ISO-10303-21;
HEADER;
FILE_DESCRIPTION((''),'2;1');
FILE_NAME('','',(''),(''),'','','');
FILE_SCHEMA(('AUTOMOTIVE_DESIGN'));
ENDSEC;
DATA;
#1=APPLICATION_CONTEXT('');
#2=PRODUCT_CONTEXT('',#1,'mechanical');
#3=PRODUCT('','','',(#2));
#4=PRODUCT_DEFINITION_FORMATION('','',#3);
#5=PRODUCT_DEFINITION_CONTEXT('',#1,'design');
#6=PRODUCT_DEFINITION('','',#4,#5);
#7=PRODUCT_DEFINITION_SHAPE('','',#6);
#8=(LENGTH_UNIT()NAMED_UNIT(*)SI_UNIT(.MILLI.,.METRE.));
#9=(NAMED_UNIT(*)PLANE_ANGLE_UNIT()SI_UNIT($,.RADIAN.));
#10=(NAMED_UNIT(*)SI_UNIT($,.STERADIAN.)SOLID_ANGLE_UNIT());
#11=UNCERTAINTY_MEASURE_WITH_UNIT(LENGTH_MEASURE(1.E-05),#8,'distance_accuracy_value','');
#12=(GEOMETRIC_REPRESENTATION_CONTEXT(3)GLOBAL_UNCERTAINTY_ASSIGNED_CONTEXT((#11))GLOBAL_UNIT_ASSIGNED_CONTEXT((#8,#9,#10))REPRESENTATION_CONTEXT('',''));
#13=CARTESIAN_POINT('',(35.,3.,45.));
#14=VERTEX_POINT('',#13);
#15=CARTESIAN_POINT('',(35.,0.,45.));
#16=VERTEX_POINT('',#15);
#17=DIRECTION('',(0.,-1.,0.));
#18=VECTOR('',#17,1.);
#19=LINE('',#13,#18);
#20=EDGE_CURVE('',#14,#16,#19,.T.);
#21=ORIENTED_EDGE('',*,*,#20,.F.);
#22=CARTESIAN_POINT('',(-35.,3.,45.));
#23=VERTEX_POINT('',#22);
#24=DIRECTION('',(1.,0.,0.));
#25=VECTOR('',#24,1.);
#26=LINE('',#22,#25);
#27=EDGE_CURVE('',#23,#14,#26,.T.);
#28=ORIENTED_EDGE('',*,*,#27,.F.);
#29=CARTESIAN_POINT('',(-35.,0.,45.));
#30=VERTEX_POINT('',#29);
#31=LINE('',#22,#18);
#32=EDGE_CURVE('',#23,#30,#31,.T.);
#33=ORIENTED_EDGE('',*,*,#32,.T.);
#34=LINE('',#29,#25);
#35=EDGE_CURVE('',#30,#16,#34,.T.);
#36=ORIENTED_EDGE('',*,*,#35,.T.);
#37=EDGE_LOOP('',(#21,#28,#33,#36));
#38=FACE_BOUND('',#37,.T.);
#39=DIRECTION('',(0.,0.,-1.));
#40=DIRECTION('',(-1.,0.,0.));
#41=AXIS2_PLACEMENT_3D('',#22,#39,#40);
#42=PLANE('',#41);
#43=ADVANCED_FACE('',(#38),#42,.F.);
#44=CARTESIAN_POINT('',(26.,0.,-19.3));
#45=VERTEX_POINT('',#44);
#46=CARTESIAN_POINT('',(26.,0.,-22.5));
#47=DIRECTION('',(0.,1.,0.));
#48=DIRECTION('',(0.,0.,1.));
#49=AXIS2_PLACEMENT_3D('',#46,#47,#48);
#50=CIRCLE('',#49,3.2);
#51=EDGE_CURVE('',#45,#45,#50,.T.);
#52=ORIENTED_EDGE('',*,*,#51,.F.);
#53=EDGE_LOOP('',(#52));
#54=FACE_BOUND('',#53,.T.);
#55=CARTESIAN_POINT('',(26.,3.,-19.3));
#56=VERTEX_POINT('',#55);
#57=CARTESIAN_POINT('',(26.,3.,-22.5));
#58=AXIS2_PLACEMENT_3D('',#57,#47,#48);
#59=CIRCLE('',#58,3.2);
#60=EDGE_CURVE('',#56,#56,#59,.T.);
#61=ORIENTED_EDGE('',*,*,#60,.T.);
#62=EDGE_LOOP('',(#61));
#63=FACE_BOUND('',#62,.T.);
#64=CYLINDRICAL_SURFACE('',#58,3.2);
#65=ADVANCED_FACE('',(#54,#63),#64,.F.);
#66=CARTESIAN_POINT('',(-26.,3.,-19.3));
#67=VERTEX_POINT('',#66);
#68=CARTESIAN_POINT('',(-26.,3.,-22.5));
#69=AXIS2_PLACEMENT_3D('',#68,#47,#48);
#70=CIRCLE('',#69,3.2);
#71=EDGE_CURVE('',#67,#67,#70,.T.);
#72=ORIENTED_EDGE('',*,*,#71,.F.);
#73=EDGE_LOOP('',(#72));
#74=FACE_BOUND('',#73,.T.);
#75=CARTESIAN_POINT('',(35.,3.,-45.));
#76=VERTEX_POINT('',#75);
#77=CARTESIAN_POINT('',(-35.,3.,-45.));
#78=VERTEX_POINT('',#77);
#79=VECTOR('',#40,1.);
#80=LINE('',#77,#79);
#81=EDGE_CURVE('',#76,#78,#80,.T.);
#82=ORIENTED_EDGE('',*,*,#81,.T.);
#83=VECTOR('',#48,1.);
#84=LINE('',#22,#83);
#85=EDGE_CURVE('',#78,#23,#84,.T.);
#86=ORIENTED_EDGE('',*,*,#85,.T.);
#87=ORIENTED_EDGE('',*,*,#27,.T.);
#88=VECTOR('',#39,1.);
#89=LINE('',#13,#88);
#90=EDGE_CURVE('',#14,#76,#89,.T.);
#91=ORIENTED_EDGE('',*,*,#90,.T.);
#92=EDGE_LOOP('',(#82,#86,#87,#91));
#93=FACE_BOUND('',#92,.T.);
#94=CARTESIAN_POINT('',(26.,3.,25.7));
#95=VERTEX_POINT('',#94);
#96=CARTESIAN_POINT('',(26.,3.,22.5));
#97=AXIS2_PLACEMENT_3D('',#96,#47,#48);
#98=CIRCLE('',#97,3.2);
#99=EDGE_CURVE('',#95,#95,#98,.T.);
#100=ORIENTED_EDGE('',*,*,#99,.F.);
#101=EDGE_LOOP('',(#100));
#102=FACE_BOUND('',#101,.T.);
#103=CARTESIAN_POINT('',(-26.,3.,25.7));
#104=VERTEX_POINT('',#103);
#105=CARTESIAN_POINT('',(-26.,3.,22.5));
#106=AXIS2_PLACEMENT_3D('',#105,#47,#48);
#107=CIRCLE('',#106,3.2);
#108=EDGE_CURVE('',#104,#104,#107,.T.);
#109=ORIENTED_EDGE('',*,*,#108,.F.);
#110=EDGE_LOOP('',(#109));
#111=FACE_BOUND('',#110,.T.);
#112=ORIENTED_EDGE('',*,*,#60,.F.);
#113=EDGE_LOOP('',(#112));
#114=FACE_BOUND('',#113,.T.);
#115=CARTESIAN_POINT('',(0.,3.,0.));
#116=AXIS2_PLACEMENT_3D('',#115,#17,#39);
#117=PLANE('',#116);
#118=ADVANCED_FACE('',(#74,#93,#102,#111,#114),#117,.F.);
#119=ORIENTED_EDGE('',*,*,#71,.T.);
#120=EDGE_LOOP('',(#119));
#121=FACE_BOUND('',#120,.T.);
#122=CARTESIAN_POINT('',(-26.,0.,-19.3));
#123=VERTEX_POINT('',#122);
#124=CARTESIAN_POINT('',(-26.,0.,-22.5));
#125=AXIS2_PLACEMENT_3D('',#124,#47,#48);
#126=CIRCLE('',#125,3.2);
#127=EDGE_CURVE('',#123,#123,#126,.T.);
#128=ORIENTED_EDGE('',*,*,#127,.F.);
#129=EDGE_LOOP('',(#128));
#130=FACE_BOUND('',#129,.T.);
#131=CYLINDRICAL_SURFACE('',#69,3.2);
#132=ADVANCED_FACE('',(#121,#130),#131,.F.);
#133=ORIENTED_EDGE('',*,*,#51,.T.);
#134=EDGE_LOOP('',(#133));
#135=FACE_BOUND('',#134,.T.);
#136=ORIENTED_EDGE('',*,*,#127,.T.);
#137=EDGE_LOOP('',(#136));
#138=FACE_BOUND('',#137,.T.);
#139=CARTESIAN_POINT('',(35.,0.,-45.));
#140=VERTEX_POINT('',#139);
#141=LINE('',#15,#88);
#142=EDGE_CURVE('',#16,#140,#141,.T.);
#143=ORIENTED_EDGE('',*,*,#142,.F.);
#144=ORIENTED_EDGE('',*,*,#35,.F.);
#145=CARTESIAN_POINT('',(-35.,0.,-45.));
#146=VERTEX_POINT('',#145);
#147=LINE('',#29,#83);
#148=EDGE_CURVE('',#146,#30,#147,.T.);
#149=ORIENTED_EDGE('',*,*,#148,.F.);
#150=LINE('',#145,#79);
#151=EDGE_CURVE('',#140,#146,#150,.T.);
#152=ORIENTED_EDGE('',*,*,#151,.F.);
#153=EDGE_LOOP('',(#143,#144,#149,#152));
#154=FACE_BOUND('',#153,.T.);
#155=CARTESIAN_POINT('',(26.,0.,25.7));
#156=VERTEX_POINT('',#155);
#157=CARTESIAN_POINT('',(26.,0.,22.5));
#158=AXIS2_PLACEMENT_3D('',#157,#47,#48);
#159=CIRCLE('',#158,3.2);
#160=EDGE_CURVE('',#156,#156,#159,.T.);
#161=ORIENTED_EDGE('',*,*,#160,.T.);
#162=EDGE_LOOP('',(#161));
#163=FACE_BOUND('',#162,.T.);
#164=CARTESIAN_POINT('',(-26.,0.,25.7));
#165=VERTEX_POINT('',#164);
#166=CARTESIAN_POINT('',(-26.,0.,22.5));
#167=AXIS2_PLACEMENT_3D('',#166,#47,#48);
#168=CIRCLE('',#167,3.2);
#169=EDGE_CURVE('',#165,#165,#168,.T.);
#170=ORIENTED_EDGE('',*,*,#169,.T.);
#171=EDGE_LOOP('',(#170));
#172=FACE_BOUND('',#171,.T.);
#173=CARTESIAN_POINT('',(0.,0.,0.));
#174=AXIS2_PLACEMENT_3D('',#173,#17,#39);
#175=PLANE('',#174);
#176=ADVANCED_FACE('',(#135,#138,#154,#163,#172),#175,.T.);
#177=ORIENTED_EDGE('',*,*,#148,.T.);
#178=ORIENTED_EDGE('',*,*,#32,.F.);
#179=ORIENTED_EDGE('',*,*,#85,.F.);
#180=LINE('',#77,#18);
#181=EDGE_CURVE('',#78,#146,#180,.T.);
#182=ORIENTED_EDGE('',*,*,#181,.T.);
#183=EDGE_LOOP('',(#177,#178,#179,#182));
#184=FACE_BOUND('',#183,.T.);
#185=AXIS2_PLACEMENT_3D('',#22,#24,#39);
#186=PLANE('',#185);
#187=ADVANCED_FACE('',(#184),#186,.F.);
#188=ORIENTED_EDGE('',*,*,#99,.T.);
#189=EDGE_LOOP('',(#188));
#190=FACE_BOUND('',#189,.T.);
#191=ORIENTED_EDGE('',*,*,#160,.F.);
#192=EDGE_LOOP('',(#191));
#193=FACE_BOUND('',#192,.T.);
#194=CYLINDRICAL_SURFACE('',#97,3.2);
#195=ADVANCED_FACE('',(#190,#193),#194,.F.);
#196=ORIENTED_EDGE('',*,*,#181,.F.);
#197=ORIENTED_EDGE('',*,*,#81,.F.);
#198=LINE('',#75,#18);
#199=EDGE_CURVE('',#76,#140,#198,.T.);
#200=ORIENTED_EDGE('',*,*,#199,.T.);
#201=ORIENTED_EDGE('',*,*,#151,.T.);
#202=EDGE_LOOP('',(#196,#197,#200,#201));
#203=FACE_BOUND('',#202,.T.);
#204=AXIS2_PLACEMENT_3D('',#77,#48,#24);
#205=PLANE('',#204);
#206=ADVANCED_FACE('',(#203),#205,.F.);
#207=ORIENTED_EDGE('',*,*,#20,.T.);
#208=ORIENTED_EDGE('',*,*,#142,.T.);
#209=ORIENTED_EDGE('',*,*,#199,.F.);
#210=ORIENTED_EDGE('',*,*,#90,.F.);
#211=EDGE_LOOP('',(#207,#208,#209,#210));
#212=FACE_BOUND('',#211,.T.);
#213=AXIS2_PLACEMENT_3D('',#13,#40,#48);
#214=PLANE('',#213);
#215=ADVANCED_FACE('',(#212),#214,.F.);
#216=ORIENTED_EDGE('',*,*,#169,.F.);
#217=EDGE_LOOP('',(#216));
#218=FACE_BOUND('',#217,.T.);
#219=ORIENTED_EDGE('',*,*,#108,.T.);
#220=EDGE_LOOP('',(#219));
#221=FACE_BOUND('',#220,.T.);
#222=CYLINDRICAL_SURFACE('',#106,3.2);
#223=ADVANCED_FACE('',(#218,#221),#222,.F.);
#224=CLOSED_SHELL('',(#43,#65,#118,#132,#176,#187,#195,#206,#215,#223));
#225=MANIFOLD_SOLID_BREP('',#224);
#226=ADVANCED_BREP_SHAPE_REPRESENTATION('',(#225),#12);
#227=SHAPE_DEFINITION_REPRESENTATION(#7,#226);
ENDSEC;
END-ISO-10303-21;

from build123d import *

# Parameters (mm, degrees)
CROQUIS1_W                   = 70
CROQUIS1_H                   = 90
SALIENTE_EXTRUIR1_DEPTH      = 3
TALADRO_DE_MARGEN_PARA_M61_D = 6.4


with BuildPart() as part:
    # Croquis1 → Saliente-Extruir1 (new body)
    with BuildSketch(Plane(origin=(0, 0, 0), x_dir=(1, 0, 0), z_dir=(0, 1, 0))):
        Rectangle(CROQUIS1_W, CROQUIS1_H)
    extrude(amount=SALIENTE_EXTRUIR1_DEPTH)

    # Taladro de margen para M61 (through all)
    with Locations(Plane(origin=(0, 3, 0), x_dir=(1, 0, 0), z_dir=(0, 1, 0))):
        with Locations((-26, 22.5), (26, 22.5), (26, -22.5), (-26, -22.5)):
            Hole(TALADRO_DE_MARGEN_PARA_M61_D / 2)


solid = part.part
